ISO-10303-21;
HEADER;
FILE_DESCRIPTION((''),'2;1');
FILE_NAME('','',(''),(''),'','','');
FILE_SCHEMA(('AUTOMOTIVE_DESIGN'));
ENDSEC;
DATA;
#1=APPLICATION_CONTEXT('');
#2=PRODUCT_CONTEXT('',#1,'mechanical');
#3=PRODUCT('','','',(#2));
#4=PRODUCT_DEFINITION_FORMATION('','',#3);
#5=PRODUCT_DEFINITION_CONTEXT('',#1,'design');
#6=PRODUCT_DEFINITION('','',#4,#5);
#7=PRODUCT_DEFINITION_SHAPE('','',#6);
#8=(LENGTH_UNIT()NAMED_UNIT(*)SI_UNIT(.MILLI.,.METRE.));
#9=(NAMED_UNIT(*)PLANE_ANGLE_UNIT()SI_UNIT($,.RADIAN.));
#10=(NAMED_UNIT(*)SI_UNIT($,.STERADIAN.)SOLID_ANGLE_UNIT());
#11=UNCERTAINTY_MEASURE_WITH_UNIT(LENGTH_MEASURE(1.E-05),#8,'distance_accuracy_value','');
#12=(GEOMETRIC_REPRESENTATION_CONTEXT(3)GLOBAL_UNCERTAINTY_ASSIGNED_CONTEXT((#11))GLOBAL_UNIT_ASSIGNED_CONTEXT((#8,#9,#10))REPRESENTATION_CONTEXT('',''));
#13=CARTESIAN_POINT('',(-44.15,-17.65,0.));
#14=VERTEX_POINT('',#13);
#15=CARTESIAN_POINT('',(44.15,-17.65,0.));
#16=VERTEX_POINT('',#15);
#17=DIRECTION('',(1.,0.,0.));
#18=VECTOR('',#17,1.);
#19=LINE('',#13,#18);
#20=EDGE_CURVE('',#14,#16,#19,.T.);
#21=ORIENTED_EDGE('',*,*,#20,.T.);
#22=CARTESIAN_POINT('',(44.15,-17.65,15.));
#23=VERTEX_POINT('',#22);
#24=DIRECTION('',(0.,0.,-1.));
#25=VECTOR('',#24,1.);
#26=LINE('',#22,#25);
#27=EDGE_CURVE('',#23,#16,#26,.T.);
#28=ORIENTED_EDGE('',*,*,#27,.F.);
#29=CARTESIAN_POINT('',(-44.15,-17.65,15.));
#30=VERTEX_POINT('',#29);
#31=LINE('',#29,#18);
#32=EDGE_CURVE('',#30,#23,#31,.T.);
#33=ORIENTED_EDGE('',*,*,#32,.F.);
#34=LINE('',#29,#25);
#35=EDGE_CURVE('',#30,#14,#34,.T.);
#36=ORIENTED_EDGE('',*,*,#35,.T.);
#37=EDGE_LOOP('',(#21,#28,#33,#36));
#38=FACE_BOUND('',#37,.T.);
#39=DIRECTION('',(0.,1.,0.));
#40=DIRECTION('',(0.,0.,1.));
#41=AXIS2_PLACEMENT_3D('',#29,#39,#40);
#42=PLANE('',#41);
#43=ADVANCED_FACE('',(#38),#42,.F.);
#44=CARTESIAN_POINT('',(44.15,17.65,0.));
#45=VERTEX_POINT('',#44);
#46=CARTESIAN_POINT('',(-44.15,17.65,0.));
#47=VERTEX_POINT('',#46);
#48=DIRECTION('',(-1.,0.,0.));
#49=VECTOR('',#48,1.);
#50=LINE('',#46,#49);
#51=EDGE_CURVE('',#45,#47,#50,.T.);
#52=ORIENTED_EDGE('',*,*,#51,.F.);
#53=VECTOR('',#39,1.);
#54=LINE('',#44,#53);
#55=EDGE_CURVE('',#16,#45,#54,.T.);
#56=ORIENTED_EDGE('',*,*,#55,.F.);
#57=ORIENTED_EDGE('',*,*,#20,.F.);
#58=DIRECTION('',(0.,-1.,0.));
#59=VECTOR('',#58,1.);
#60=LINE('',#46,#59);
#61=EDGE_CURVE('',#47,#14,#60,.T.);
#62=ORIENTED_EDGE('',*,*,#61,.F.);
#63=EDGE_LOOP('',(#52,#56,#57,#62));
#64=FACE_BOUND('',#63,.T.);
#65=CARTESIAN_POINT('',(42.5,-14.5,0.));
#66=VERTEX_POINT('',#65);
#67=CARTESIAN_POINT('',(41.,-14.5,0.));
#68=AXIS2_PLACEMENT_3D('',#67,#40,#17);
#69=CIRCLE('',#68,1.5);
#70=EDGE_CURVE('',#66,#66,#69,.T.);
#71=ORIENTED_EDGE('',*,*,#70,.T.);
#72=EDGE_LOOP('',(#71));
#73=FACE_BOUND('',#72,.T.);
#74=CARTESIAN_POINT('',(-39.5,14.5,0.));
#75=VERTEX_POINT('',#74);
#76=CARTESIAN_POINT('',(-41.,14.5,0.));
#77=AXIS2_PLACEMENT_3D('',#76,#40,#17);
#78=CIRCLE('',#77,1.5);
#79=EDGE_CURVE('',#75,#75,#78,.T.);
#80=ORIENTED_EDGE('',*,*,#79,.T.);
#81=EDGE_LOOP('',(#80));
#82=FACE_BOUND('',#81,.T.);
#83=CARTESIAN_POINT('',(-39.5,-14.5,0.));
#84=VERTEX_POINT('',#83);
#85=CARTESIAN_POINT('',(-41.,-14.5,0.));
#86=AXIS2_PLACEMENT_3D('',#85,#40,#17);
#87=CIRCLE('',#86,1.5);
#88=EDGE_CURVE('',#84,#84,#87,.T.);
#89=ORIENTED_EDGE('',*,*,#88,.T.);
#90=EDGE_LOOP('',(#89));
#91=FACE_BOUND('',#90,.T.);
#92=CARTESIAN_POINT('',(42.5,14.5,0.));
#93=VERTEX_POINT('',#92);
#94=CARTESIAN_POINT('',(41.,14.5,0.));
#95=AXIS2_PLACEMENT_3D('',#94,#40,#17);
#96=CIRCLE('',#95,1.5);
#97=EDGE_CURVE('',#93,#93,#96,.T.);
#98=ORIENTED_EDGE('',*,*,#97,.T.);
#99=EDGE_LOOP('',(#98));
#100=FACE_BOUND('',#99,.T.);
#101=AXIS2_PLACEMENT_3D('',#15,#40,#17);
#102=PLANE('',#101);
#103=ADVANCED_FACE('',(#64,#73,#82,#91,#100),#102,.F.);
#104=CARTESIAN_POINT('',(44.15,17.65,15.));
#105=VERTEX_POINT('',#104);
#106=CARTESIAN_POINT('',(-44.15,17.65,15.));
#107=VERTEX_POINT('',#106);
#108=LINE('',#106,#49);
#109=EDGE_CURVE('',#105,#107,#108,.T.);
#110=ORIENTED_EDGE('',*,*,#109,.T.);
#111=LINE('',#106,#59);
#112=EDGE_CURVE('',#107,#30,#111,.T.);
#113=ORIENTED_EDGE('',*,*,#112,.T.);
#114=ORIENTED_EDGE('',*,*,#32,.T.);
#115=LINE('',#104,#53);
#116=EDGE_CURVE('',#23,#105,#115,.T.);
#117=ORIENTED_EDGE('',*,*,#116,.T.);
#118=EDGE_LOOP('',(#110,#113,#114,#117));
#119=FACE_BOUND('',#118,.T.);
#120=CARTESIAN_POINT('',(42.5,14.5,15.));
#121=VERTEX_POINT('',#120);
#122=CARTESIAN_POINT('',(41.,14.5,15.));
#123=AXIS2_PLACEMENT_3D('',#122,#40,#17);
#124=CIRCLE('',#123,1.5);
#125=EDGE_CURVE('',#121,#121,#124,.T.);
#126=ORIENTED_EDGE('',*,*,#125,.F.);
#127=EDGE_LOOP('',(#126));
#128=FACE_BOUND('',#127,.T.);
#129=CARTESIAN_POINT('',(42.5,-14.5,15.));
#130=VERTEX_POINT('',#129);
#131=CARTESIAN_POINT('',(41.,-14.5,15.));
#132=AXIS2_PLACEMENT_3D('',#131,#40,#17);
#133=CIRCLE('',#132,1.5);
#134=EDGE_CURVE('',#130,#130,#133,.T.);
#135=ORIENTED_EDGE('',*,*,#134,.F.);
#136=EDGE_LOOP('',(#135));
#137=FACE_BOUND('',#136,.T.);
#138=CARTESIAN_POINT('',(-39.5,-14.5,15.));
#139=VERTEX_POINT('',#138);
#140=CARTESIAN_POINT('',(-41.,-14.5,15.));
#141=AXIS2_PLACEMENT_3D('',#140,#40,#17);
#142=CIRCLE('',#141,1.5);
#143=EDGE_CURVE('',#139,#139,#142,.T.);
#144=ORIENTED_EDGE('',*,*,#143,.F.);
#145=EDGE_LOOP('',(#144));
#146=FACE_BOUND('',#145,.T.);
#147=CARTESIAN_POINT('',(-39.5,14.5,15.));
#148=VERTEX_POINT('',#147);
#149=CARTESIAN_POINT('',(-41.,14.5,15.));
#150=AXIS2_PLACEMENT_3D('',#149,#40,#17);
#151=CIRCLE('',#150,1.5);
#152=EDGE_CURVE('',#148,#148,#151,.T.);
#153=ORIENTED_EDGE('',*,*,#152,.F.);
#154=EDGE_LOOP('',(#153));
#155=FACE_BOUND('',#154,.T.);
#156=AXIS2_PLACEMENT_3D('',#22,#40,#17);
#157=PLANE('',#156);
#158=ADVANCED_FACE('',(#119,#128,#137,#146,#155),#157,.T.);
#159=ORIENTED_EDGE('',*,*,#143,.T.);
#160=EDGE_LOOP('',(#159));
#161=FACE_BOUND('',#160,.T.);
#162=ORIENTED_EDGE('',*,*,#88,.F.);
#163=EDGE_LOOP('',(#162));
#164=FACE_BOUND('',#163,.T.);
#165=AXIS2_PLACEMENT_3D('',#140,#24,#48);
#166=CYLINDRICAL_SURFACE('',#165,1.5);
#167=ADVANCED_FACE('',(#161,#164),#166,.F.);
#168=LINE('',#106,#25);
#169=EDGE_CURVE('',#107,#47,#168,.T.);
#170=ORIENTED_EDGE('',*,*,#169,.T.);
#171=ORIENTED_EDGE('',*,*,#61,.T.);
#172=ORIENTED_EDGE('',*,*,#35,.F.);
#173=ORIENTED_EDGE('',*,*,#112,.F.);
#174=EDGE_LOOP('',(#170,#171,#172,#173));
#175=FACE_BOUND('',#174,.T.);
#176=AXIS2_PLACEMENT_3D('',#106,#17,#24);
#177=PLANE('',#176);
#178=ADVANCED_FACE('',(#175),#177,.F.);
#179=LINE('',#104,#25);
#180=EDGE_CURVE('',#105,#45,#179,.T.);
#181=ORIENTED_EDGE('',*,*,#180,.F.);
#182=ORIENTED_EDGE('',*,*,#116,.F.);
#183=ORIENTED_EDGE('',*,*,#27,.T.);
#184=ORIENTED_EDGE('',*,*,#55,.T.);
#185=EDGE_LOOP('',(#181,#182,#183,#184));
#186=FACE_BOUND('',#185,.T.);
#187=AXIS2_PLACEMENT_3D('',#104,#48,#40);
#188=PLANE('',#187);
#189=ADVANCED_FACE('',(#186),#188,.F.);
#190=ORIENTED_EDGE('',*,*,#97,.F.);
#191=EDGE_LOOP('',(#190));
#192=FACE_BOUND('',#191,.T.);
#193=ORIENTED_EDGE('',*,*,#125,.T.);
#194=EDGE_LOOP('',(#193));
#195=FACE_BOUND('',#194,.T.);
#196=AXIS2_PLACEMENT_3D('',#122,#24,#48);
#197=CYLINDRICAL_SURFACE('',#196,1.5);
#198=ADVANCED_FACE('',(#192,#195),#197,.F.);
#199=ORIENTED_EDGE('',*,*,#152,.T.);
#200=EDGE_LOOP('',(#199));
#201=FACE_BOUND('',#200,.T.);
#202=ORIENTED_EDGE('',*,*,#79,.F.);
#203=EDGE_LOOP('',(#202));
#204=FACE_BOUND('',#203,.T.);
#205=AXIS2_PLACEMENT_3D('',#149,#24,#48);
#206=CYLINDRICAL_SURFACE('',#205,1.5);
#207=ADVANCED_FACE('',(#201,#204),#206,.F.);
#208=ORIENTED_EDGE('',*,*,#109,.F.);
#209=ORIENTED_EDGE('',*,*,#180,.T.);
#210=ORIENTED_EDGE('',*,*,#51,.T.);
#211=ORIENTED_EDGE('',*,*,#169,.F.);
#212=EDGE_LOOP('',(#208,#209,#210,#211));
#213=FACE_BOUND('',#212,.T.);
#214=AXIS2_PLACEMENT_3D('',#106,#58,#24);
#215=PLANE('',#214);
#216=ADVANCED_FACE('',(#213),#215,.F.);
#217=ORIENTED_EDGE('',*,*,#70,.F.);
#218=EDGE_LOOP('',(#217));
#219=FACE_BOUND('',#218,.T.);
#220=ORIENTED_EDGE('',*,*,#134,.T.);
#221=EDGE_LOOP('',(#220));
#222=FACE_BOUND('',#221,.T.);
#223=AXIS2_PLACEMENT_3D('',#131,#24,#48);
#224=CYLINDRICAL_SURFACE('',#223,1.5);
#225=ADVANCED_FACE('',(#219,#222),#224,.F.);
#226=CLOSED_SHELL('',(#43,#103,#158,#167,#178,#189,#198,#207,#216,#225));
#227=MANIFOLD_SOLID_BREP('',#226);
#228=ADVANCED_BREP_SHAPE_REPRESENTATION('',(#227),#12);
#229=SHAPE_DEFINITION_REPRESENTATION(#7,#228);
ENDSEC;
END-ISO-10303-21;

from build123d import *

# Parameters (mm, degrees)
SKETCH_1_W      = 88.3
SKETCH_1_H      = 35.3
SKETCH_1_R      = 1.5
EXTRUDE_1_DEPTH = 15


with BuildPart() as part:
    # 草圖1 → 伸長1 (new body)
    with BuildSketch(Plane.XY):
        Rectangle(SKETCH_1_W, SKETCH_1_H)
        with Locations((-41, 14.5)):
            Circle(SKETCH_1_R, mode=Mode.SUBTRACT)
        with Locations((-41, -14.5)):
            Circle(SKETCH_1_R, mode=Mode.SUBTRACT)
        with Locations((41, -14.5)):
            Circle(SKETCH_1_R, mode=Mode.SUBTRACT)
        with Locations((41, 14.5)):
            Circle(SKETCH_1_R, mode=Mode.SUBTRACT)
    extrude(amount=EXTRUDE_1_DEPTH)


solid = part.part
